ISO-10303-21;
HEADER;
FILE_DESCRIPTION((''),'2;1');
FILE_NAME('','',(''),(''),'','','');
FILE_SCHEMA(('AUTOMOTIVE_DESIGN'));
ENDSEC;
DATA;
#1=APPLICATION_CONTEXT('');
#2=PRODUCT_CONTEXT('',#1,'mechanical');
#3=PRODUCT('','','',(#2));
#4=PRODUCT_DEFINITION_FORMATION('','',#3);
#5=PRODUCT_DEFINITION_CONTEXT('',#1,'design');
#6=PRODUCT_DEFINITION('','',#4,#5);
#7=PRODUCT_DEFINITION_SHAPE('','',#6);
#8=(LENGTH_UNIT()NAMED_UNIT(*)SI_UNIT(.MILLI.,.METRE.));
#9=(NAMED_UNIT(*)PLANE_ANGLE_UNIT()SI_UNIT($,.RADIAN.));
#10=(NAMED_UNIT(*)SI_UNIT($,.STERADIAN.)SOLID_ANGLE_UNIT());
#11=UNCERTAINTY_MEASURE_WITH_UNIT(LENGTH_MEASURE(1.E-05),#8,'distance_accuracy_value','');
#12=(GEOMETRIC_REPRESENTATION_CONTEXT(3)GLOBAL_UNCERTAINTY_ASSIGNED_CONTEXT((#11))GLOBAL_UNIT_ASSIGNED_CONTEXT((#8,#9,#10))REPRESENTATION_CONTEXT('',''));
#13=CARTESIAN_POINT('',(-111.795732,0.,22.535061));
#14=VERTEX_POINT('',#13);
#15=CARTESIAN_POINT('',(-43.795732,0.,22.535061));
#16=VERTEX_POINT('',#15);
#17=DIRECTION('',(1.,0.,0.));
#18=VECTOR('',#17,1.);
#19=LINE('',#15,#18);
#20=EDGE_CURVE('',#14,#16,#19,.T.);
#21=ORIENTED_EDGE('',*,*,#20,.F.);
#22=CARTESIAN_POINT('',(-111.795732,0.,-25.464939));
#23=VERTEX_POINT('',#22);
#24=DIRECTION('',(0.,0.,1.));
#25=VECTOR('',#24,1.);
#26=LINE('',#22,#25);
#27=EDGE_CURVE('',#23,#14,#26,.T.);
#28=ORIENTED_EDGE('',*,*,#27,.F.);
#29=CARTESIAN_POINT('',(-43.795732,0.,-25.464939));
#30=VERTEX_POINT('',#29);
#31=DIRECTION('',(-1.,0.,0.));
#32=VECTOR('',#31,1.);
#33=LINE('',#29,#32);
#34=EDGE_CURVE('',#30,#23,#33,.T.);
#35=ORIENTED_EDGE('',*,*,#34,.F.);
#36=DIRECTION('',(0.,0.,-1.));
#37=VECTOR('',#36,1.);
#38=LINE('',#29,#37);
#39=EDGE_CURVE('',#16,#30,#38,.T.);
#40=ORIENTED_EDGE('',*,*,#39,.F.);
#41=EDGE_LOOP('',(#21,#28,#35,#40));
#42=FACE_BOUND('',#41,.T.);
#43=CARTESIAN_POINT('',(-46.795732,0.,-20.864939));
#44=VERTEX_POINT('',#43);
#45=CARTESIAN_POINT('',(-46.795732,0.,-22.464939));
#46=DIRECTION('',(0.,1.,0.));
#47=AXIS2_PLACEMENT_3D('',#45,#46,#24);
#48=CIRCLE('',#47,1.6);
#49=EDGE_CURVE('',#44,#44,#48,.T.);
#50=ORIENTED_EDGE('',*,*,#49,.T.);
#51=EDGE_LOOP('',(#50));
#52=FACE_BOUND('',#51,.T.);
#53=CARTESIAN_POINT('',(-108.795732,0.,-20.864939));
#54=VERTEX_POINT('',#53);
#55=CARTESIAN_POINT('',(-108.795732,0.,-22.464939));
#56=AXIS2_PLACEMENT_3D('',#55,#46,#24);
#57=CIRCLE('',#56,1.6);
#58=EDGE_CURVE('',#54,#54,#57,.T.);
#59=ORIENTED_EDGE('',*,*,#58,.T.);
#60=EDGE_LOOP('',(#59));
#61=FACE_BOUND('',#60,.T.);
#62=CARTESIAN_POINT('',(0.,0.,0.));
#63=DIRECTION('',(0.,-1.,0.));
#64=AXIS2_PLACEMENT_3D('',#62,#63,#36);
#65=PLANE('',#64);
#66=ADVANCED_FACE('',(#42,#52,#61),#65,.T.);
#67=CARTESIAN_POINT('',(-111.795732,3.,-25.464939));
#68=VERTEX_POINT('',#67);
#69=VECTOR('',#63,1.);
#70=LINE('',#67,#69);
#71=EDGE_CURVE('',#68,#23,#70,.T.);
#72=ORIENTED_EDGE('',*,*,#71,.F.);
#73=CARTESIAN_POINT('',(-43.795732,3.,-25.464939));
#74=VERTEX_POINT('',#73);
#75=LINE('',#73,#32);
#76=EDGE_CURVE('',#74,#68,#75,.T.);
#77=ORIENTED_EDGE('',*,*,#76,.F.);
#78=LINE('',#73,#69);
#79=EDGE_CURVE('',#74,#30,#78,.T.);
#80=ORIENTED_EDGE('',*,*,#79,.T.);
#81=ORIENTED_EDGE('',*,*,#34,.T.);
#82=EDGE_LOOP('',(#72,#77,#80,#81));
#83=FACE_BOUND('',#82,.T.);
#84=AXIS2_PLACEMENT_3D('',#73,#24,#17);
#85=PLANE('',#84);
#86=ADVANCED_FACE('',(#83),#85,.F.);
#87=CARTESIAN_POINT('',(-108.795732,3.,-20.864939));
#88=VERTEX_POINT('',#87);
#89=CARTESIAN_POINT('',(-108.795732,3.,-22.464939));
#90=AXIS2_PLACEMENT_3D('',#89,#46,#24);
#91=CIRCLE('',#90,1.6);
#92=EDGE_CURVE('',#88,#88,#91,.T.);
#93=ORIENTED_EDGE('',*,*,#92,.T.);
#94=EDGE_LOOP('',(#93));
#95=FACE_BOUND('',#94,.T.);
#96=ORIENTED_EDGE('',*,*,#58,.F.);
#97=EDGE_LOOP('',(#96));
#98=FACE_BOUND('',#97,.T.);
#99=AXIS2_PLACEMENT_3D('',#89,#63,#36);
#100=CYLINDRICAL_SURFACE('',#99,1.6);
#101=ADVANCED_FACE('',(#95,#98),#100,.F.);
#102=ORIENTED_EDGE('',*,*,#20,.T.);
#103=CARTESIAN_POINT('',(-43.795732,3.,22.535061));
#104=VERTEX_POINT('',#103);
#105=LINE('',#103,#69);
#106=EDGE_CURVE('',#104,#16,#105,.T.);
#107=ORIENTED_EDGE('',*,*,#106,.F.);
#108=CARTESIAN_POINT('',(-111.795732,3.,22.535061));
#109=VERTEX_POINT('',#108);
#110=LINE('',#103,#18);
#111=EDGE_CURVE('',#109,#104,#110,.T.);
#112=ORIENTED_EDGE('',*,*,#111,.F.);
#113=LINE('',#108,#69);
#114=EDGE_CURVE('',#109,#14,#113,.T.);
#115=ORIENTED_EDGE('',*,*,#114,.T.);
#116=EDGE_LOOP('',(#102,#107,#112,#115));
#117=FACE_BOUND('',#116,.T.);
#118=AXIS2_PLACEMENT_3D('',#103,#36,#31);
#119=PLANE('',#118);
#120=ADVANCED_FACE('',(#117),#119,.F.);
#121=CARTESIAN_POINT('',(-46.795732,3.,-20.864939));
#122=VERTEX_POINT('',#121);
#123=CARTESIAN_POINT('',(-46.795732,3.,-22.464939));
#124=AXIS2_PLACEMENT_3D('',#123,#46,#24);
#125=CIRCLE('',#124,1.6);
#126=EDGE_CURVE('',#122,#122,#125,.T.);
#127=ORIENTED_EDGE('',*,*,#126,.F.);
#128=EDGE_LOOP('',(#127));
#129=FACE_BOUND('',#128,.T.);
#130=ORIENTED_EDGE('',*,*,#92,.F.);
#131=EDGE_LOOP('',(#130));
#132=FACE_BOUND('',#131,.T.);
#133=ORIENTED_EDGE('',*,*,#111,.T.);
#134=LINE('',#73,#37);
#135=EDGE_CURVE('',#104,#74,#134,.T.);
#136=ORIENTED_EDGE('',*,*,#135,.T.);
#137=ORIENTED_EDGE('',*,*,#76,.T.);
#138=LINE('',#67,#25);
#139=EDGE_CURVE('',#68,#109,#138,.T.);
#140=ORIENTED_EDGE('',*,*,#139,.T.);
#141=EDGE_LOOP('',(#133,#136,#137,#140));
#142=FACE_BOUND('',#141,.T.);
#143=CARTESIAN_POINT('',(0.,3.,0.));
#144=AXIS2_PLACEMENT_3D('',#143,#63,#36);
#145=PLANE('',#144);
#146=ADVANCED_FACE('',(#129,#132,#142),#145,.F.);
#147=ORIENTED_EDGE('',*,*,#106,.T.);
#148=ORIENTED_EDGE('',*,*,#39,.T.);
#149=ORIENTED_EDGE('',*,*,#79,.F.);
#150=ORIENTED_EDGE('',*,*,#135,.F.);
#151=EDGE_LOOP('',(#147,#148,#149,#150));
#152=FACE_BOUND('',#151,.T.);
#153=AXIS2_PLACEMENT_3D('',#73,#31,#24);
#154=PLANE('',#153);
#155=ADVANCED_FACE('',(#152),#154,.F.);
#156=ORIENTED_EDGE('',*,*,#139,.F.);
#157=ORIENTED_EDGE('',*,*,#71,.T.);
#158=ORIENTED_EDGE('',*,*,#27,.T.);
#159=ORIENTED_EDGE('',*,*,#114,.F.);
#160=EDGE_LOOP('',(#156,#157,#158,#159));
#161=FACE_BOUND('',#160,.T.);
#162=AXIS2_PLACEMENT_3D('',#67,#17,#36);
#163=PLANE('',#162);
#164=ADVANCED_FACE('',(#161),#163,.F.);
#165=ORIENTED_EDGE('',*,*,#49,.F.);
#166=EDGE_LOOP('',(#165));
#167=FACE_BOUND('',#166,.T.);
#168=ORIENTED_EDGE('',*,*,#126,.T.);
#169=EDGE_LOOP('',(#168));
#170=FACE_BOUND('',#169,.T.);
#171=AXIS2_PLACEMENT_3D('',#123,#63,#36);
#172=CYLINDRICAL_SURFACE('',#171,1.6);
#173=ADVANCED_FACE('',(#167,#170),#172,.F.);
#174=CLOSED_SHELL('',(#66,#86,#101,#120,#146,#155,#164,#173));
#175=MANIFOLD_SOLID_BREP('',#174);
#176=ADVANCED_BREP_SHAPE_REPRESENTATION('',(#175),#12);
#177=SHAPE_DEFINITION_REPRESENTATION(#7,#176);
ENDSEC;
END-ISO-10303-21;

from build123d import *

# Parameters (mm, degrees)
SKETCH5_W           = 68
SKETCH5_H           = 48
SKETCH5_R           = 1.6
BOSS_EXTRUDE2_DEPTH = 3


with BuildPart() as part:
    # Sketch5 → Boss-Extrude2 (new body)
    with BuildSketch(Plane(origin=(0, 0, 0), x_dir=(1, 0, 0), z_dir=(0, 1, 0))):
        with Locations((-77.795731707, 1.464939024)):
            Rectangle(SKETCH5_W, SKETCH5_H)
        with Locations((-108.795731707, 22.464939024)):
            Circle(SKETCH5_R, mode=Mode.SUBTRACT)
        with Locations((-46.795731707, 22.464939024)):
            Circle(SKETCH5_R, mode=Mode.SUBTRACT)
    extrude(amount=BOSS_EXTRUDE2_DEPTH)


solid = part.part
